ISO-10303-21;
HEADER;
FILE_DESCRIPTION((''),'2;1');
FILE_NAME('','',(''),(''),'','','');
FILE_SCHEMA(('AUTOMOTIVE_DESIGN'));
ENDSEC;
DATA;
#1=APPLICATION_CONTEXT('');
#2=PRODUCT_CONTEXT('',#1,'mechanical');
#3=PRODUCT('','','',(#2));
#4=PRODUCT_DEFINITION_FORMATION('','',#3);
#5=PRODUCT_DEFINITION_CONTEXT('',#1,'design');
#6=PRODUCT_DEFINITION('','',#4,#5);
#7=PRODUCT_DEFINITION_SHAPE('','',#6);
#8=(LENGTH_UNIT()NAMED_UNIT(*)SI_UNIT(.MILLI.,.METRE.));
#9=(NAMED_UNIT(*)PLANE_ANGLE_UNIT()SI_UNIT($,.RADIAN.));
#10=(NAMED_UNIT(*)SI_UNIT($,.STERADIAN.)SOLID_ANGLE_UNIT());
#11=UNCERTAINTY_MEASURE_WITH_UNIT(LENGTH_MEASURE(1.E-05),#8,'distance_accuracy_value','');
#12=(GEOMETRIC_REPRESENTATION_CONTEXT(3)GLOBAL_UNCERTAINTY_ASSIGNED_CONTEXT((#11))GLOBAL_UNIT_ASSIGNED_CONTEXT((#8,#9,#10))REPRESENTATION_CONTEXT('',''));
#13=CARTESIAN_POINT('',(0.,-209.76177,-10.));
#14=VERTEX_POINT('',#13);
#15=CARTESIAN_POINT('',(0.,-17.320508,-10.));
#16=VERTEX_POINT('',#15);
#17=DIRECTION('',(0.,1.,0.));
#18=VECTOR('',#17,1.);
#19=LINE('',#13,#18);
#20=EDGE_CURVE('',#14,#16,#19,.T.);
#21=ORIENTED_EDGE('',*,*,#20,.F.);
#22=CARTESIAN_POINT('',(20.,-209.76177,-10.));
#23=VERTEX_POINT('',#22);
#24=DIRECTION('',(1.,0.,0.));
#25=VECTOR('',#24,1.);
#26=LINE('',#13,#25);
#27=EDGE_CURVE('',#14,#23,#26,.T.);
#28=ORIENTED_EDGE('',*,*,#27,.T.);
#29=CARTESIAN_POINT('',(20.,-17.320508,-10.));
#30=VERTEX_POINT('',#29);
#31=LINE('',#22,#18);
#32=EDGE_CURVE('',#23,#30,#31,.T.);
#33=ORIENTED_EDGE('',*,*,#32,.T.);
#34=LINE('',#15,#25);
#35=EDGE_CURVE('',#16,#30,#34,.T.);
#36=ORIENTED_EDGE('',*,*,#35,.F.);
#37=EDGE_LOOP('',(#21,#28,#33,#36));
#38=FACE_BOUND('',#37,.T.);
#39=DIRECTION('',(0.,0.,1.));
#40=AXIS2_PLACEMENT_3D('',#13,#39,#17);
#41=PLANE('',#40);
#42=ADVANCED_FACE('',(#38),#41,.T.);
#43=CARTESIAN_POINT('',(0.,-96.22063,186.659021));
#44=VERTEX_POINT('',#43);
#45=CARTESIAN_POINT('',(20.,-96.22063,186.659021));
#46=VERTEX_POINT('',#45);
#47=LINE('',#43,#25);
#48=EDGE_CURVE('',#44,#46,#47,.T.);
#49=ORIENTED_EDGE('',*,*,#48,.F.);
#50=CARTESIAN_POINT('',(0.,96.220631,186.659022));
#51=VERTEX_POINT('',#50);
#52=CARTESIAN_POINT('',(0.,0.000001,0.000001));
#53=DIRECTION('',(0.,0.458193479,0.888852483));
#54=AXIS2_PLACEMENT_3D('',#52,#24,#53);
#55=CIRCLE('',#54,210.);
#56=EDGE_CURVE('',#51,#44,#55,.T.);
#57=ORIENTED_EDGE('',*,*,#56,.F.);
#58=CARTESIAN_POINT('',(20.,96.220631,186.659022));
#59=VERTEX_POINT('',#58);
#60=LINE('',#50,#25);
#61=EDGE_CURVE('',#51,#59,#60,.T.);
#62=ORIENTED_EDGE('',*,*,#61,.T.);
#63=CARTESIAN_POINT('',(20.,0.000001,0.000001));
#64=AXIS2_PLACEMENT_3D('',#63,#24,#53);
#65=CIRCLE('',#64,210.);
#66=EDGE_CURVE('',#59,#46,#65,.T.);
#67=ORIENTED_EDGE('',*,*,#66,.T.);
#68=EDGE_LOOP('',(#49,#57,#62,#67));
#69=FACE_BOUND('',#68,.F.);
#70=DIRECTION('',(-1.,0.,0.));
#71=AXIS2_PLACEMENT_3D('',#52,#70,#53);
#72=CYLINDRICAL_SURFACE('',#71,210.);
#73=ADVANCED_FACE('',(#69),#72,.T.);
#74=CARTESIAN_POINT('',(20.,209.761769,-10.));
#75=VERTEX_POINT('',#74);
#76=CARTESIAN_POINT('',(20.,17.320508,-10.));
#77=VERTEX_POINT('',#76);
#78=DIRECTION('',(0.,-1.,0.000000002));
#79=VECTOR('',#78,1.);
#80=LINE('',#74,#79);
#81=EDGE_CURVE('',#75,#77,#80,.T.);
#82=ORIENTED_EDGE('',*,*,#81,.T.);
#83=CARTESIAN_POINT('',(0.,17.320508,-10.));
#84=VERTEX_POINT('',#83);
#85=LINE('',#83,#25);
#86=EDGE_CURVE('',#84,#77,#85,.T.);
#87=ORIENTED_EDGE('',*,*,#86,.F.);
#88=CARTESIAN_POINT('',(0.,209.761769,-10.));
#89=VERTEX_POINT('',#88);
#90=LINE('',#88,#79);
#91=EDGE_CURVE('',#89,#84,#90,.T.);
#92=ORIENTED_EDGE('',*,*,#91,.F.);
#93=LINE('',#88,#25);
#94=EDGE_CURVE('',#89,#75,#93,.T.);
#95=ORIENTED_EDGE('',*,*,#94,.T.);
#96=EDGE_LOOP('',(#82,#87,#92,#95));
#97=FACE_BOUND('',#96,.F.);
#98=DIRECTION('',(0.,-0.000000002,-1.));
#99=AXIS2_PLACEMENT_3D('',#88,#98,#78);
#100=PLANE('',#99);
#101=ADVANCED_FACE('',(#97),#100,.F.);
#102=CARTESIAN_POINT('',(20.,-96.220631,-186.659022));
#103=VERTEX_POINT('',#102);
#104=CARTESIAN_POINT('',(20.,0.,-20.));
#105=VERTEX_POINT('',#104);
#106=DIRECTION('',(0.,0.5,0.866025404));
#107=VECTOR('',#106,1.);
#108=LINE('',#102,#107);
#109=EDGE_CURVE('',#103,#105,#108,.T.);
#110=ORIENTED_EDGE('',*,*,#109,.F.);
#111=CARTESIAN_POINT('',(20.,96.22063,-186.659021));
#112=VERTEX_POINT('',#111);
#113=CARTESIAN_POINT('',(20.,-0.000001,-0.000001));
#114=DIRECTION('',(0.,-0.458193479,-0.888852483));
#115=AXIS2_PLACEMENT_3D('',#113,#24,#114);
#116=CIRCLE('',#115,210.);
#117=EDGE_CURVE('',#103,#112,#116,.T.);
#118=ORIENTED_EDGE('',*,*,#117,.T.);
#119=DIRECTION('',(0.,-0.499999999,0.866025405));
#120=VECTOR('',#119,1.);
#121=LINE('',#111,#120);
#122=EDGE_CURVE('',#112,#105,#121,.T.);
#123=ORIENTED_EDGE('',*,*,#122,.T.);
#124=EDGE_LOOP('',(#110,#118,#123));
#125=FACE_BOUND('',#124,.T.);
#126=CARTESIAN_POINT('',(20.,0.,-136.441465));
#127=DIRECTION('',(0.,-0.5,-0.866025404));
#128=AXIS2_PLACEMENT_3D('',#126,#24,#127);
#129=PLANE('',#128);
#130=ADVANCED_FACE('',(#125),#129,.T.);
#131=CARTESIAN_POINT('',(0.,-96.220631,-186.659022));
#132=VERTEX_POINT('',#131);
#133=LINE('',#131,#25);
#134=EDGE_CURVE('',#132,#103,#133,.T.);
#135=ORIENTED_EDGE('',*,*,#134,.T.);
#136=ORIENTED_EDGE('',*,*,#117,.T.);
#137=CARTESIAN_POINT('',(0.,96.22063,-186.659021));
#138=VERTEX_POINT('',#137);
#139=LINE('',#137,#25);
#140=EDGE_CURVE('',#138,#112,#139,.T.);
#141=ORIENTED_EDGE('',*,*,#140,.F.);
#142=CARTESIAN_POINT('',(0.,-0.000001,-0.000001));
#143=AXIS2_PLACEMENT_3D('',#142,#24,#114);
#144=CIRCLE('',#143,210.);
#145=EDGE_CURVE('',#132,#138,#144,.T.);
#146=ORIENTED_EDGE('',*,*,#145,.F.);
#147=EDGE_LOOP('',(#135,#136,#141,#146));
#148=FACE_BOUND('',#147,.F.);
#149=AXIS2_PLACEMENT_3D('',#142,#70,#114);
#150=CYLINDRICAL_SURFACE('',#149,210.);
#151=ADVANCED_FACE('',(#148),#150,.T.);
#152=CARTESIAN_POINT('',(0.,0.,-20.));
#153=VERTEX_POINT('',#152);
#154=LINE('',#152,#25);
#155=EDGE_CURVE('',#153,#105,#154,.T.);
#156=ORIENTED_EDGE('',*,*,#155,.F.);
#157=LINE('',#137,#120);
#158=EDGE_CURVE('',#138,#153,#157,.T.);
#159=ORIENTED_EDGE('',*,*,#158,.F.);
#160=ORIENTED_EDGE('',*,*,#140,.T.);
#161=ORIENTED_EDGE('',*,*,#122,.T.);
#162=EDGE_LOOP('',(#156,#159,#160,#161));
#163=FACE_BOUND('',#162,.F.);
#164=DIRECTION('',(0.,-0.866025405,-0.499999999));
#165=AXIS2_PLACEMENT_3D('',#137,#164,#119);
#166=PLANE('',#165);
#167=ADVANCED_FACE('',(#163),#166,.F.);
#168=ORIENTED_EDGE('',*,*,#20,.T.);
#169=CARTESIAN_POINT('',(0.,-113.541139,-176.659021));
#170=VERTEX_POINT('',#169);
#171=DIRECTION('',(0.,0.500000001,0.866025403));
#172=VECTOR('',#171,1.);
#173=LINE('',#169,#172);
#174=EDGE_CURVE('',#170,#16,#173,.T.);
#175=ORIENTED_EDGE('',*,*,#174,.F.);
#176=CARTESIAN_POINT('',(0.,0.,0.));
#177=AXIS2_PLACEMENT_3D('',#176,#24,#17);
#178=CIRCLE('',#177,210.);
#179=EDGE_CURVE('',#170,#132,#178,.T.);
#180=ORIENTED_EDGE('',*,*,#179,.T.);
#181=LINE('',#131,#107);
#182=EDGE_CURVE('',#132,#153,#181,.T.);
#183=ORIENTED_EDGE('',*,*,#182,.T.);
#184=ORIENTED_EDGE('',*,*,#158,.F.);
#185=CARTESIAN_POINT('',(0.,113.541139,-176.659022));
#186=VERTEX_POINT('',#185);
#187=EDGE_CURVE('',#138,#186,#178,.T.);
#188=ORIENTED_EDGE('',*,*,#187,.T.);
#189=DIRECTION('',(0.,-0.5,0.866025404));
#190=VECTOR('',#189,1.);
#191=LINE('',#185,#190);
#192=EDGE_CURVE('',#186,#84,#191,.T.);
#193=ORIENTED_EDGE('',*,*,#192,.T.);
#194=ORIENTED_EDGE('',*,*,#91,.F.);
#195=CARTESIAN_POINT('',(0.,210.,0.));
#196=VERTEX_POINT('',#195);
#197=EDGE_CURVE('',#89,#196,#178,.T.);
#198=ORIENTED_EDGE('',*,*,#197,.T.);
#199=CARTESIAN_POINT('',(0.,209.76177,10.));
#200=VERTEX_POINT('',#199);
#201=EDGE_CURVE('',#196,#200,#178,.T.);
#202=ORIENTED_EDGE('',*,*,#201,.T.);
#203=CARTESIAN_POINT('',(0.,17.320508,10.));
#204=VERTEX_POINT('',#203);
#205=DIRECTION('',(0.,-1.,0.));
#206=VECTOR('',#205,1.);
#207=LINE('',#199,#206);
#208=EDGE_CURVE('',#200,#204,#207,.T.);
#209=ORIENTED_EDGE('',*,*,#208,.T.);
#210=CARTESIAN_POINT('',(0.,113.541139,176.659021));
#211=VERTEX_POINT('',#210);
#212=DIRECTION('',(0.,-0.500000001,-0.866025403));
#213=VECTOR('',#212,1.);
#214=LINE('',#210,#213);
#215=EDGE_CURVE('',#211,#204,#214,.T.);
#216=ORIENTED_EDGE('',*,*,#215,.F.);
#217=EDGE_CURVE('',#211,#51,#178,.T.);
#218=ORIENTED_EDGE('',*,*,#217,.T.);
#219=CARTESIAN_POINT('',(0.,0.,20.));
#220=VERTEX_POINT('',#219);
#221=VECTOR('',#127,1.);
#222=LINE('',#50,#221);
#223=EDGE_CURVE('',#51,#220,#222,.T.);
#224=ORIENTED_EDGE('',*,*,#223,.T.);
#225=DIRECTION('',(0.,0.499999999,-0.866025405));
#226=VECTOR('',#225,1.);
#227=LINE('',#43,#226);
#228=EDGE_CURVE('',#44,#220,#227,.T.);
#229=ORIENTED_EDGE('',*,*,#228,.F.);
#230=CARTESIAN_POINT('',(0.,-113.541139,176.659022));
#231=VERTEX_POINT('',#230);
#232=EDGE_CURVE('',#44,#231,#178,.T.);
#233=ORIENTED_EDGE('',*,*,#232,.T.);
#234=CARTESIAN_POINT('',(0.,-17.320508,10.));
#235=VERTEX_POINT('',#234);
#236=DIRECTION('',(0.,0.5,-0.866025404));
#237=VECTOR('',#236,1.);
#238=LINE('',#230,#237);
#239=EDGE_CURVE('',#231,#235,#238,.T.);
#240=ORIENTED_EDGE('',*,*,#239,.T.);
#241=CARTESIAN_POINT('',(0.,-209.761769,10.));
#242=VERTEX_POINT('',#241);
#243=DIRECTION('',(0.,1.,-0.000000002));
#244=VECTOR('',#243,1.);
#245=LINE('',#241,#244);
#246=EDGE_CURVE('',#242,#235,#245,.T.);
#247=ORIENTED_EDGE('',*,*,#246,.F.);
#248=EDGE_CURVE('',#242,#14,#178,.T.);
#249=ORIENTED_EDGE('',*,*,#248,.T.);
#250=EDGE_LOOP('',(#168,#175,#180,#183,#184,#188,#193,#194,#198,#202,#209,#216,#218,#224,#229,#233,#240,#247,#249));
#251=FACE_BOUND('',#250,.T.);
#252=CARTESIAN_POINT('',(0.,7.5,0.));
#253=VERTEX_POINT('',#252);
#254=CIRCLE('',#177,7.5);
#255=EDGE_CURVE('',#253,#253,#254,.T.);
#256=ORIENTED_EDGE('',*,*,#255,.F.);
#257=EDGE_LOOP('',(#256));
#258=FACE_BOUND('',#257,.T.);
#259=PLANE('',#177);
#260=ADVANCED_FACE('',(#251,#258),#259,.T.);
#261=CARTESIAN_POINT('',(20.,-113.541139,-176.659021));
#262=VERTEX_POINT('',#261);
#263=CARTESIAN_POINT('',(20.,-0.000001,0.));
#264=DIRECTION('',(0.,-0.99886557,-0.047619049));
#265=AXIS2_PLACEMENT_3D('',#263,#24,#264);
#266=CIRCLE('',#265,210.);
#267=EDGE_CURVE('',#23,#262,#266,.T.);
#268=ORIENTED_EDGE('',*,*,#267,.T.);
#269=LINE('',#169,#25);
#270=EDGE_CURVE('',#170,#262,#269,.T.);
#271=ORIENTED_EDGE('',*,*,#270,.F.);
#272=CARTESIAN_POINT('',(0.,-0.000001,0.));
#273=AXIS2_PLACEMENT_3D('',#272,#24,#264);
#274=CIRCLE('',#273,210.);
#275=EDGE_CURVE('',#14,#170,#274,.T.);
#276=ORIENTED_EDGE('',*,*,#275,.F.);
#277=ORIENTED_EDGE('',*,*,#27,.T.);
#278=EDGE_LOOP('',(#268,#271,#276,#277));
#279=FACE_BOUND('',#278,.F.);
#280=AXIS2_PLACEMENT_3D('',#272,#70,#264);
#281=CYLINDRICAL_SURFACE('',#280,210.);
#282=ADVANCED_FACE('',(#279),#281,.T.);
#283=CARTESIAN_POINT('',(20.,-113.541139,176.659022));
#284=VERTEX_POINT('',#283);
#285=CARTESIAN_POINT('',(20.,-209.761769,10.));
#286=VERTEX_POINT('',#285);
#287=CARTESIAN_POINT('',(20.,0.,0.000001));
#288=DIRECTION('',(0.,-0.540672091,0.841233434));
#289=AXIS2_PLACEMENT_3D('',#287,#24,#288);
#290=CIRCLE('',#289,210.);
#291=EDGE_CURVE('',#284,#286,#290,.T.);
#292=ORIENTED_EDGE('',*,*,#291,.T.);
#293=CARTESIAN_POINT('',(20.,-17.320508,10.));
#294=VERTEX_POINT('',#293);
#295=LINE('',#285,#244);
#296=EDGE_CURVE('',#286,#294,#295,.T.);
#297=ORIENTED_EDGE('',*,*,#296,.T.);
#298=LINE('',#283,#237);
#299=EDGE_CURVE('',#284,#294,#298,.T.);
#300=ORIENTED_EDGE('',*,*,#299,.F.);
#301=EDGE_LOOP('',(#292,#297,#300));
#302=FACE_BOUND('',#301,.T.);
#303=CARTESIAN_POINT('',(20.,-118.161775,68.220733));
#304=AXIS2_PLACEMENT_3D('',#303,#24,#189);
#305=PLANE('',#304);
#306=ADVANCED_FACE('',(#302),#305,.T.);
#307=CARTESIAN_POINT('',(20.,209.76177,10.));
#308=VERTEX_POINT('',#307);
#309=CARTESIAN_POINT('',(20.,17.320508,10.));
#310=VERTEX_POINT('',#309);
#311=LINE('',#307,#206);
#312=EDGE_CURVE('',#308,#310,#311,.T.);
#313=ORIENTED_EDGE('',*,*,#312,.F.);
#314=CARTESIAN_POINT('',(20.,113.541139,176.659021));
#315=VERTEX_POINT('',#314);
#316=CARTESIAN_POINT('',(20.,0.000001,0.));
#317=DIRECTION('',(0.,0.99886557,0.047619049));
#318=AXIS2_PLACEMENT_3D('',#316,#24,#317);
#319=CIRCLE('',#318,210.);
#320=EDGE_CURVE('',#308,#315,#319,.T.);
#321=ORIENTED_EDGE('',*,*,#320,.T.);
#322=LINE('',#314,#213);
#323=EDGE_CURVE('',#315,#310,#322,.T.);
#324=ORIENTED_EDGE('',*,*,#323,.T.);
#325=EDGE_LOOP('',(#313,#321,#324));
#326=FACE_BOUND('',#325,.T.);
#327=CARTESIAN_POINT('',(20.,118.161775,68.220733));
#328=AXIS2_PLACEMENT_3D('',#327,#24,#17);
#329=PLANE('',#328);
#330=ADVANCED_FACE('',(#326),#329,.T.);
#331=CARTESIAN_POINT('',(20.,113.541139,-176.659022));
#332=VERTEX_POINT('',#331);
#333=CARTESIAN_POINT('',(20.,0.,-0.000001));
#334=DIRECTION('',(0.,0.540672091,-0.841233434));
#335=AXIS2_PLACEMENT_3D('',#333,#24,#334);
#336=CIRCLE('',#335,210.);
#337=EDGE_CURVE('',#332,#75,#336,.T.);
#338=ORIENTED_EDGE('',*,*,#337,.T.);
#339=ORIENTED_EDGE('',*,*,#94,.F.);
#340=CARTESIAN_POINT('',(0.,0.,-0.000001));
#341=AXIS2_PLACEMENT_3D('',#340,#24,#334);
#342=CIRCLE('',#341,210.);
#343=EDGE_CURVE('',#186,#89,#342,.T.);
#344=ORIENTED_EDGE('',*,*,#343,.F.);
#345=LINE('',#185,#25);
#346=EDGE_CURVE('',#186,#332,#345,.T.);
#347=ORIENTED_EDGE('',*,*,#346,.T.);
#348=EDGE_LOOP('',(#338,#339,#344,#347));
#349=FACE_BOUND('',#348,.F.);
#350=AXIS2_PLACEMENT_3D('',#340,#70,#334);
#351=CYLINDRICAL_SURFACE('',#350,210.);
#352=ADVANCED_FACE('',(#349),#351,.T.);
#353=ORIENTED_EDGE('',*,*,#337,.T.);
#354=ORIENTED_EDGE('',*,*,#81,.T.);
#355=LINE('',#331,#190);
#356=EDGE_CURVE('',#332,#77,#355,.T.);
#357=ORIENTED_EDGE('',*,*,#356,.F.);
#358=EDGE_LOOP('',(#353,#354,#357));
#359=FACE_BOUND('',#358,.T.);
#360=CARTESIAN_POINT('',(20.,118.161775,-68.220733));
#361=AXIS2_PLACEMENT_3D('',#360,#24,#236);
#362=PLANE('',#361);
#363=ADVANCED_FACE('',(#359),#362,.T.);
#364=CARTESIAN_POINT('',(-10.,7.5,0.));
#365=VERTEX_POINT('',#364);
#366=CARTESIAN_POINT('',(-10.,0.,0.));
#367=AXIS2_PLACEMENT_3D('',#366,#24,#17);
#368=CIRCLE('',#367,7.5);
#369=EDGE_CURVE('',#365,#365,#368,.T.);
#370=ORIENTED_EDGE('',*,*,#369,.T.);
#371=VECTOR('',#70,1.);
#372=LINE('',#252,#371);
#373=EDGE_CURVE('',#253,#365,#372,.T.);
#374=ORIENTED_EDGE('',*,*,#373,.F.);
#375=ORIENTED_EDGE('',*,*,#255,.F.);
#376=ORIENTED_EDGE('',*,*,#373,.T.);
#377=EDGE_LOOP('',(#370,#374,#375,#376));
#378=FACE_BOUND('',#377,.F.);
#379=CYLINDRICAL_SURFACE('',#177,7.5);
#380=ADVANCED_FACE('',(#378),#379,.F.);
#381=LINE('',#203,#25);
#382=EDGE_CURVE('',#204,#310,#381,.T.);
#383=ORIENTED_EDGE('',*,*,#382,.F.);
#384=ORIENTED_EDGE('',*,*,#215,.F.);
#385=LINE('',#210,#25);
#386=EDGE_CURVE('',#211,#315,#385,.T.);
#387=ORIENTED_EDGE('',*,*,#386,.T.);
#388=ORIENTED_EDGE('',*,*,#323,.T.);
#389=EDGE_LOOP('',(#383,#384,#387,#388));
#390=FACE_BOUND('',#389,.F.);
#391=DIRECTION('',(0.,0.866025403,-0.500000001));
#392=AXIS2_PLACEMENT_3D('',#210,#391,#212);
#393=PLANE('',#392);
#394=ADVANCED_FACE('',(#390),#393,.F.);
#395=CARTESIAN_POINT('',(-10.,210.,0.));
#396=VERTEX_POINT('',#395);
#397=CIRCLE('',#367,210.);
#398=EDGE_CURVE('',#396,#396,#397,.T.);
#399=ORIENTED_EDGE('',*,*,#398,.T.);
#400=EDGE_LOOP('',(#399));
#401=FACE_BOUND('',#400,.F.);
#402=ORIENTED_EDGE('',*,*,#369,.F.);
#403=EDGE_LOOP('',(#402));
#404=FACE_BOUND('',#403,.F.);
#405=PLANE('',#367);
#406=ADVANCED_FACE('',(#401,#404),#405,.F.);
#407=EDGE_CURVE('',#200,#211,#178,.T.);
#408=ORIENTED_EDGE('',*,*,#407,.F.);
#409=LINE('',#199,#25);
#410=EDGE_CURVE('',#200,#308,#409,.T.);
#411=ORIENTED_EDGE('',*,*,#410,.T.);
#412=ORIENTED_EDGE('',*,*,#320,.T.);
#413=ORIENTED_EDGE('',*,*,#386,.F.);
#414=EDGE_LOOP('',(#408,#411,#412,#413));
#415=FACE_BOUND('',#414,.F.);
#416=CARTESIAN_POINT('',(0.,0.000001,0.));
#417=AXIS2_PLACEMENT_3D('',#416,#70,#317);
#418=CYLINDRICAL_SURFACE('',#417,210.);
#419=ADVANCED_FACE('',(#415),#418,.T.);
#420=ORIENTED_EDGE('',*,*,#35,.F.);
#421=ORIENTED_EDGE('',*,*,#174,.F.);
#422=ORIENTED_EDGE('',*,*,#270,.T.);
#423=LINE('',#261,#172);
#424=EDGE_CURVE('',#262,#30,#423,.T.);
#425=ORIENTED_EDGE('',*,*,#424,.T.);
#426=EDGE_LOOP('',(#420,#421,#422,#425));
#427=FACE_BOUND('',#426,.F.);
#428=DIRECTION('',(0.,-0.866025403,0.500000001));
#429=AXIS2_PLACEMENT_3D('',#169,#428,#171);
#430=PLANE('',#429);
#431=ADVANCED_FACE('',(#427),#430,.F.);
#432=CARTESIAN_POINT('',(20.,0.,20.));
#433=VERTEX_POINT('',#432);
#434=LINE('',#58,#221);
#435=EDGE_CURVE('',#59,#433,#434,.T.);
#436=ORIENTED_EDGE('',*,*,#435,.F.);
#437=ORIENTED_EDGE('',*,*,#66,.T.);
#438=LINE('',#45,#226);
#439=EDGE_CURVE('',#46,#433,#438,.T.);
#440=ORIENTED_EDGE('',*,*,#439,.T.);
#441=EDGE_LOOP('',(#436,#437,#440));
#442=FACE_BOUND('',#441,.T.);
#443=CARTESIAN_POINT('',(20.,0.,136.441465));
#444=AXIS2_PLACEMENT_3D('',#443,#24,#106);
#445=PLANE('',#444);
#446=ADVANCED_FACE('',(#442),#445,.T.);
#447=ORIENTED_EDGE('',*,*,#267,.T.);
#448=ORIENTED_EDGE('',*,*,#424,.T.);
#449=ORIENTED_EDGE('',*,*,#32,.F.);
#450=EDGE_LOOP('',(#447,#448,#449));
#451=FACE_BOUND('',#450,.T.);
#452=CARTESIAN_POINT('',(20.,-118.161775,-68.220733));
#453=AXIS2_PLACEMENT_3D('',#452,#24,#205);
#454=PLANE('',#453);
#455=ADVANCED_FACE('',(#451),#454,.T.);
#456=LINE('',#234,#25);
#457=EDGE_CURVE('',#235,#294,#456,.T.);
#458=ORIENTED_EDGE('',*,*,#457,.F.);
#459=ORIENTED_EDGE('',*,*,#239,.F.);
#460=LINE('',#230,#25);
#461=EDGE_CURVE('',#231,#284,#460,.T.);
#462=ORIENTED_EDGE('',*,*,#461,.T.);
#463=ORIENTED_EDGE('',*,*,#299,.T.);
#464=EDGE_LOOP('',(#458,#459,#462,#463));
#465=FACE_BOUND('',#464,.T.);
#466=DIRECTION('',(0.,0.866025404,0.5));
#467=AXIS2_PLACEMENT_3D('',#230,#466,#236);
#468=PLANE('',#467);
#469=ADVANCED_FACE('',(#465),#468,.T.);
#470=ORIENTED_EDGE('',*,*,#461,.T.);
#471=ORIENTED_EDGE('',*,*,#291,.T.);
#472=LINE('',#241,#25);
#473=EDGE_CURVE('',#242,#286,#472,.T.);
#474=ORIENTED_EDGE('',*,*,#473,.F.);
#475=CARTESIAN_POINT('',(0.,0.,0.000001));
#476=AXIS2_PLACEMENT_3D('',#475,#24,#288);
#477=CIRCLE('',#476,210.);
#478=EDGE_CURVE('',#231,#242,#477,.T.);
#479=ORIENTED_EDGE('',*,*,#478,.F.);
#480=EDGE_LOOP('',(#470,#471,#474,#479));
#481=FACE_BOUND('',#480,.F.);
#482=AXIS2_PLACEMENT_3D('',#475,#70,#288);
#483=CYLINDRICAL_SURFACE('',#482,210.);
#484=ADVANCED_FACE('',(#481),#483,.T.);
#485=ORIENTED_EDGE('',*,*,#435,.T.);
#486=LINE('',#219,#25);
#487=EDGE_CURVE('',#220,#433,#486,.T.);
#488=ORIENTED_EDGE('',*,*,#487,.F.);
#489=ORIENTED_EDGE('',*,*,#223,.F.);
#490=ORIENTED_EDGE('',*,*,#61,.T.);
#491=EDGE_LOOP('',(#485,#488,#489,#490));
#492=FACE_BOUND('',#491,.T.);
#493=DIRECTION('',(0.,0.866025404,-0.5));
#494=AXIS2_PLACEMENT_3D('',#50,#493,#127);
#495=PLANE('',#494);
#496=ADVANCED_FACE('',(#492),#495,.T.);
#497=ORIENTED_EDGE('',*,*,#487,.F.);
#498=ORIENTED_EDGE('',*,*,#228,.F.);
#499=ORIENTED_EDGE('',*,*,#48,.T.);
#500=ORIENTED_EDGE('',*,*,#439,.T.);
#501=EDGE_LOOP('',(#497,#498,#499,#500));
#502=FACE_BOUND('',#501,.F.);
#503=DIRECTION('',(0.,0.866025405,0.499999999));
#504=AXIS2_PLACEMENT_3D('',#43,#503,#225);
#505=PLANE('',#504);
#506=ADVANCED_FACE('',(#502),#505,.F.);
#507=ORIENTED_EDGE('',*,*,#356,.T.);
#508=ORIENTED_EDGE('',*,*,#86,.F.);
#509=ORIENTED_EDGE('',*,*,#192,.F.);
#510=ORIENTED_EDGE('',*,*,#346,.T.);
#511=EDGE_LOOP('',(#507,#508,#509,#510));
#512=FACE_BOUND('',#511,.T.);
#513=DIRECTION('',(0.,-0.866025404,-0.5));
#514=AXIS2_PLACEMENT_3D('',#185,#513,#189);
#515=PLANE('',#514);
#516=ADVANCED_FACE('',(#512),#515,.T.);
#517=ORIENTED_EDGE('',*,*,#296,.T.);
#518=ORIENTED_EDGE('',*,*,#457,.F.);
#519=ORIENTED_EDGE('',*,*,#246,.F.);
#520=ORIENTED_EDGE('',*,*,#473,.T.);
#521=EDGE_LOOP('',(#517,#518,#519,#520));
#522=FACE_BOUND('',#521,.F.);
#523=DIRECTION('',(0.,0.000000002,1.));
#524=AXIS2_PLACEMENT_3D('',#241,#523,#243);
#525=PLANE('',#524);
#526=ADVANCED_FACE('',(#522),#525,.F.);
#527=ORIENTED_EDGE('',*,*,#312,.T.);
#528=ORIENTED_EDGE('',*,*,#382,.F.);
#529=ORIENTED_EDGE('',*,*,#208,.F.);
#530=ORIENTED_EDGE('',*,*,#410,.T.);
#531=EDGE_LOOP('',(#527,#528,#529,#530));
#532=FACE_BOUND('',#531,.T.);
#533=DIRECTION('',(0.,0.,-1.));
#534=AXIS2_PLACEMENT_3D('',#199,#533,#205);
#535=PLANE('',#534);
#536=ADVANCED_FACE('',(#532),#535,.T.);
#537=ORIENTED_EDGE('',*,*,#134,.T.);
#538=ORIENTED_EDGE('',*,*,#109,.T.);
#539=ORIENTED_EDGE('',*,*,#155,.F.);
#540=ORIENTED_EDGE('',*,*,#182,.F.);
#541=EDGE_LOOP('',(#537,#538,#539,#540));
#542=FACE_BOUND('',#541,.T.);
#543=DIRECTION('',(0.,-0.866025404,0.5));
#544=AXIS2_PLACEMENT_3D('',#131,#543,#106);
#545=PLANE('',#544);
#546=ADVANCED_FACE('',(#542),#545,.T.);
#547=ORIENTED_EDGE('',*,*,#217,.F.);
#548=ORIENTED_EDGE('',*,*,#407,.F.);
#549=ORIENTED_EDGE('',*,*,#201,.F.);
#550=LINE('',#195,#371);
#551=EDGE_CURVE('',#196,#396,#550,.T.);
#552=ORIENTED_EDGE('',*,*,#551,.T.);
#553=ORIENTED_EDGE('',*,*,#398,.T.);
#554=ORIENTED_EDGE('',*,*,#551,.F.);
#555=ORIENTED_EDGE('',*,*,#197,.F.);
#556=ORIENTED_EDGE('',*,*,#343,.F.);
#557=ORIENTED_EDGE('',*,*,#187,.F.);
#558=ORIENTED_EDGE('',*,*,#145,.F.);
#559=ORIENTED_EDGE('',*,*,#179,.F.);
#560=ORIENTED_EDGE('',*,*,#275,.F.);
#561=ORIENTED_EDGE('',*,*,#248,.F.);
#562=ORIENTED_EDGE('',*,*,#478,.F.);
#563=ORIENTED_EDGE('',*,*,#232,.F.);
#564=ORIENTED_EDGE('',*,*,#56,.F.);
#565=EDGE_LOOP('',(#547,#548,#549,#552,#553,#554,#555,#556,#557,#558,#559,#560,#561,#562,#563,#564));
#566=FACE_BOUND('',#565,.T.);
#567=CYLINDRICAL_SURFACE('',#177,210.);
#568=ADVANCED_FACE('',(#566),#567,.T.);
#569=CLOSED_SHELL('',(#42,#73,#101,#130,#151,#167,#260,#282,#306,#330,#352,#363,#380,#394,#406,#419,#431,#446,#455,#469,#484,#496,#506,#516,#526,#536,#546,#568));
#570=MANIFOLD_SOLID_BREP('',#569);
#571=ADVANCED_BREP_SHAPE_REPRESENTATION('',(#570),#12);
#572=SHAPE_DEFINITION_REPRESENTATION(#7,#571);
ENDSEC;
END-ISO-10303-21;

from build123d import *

# Parameters (mm, degrees)
SKETCH_0_R         = 210
SKETCH_0_R_2       = 7.5
PAD_DEPTH          = 10
PAD001_DEPTH       = 20
POLARPATTERN_COUNT = 6


with BuildPart() as part:
    # Sketch_0 (on LCS_) → Pad (new body)
    with BuildSketch(Plane.YZ):
        Circle(SKETCH_0_R)
        Circle(SKETCH_0_R_2, mode=Mode.SUBTRACT)
    extrude(amount=-PAD_DEPTH)

    # Sketch_1 (on LCS_) → Pad001 (join)
    with BuildSketch(Plane.YZ):
        with BuildLine():
            Line((113.541139, 176.659021), (17.320508, 10))
            Line((209.76177, 10), (17.320508, 10))
            ThreePointArc((209.76177, 10), (181.865335, 105), (113.541139, 176.659021))
        make_face()
    pad001 = extrude(amount=PAD001_DEPTH)

    # PolarPattern: Pad001 ×6 about axis
    polarpattern_axis = Axis((0, 0, 0), (1, 0, 0))
    for i in range(1, POLARPATTERN_COUNT):
        add(pad001.rotate(polarpattern_axis, i * 360 / POLARPATTERN_COUNT))


solid = part.part
